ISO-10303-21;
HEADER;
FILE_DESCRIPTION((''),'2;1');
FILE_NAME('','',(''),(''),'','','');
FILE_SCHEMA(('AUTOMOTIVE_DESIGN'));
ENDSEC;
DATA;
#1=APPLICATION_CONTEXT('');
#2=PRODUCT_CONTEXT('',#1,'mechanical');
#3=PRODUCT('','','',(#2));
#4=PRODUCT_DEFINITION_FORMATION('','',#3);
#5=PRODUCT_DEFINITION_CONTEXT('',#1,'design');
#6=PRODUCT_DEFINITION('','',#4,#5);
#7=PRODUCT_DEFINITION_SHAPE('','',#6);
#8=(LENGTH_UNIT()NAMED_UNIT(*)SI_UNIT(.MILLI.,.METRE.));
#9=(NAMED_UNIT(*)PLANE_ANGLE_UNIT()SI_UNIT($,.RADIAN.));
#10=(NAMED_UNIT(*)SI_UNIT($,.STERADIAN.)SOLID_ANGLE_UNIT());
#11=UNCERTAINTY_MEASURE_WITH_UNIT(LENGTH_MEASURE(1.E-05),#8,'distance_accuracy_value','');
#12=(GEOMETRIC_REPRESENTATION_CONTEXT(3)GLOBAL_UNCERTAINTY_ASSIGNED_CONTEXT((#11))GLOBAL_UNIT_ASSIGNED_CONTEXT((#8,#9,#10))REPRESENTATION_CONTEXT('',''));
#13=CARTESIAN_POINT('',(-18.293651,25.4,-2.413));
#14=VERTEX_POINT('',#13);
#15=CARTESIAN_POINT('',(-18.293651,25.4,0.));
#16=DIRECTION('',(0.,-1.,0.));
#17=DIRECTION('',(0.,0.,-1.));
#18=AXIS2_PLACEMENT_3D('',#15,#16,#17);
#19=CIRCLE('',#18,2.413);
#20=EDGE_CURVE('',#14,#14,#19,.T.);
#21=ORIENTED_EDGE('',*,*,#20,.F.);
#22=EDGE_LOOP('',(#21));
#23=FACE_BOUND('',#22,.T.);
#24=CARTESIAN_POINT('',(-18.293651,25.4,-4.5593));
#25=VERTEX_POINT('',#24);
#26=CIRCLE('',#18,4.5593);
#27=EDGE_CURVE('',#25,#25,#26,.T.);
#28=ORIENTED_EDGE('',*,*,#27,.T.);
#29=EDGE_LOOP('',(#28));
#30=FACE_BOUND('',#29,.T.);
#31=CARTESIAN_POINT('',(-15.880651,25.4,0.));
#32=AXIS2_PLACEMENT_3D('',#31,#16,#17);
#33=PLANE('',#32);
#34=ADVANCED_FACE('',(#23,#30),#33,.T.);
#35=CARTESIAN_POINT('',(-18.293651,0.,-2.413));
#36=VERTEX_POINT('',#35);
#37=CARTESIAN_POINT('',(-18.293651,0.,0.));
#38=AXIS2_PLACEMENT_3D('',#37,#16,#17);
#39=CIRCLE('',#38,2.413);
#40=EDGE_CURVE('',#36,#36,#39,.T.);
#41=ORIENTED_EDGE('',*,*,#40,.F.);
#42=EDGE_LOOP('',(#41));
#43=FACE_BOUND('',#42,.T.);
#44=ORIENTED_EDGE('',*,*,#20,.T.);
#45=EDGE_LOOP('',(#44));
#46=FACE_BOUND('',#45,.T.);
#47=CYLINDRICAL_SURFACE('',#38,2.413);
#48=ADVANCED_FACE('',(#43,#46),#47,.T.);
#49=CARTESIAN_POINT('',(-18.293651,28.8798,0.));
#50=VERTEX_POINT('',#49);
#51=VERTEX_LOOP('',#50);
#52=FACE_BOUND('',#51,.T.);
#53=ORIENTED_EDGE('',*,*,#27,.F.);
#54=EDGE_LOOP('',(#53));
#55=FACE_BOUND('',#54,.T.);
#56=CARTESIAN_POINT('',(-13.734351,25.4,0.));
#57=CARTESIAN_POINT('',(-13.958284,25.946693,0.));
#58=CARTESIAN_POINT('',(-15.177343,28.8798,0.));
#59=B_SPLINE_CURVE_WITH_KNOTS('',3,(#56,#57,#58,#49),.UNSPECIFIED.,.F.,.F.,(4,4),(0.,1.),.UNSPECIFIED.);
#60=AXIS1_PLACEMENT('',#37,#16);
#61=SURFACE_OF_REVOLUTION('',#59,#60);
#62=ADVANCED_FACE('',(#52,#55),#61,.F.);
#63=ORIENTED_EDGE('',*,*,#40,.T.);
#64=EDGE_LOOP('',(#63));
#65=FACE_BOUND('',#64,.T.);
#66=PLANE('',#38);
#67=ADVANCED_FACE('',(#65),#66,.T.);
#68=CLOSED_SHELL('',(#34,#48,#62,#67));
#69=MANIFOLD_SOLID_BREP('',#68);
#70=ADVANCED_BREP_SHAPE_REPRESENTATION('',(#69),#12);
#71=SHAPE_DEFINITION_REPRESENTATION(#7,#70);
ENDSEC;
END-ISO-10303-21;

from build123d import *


with BuildPart() as part:
    # Sketch3 → Revolve1 (revolve)
    with BuildSketch(Plane.XY, mode=Mode.PRIVATE) as revolve1_sk:
        with BuildLine():
            Line((-18.293650503, 0), (-15.880650503, 0))
            Line((-15.880650503, 0), (-15.880650503, 25.4))
            Line((-15.880650503, 25.4), (-13.734350503, 25.4))
            add(Edge.make_bspline(
                [(-13.734350503, 25.4), (-13.95828444, 25.946693156), (-15.177343152, 28.8798), (-18.293650503, 28.8798)],
                knots=[0, 0, 0, 0, 1, 1, 1, 1], degree=3))
            Line((-18.293650503, 28.8798), (-18.293650503, 0))
        make_face()
    revolve(revolve1_sk.sketch.rotate(Axis((-18.293650503, 0, 0), (0, 1, 0)), 90), axis=Axis((-18.293650503, 0, 0), (0, 1, 0)))


solid = part.part
